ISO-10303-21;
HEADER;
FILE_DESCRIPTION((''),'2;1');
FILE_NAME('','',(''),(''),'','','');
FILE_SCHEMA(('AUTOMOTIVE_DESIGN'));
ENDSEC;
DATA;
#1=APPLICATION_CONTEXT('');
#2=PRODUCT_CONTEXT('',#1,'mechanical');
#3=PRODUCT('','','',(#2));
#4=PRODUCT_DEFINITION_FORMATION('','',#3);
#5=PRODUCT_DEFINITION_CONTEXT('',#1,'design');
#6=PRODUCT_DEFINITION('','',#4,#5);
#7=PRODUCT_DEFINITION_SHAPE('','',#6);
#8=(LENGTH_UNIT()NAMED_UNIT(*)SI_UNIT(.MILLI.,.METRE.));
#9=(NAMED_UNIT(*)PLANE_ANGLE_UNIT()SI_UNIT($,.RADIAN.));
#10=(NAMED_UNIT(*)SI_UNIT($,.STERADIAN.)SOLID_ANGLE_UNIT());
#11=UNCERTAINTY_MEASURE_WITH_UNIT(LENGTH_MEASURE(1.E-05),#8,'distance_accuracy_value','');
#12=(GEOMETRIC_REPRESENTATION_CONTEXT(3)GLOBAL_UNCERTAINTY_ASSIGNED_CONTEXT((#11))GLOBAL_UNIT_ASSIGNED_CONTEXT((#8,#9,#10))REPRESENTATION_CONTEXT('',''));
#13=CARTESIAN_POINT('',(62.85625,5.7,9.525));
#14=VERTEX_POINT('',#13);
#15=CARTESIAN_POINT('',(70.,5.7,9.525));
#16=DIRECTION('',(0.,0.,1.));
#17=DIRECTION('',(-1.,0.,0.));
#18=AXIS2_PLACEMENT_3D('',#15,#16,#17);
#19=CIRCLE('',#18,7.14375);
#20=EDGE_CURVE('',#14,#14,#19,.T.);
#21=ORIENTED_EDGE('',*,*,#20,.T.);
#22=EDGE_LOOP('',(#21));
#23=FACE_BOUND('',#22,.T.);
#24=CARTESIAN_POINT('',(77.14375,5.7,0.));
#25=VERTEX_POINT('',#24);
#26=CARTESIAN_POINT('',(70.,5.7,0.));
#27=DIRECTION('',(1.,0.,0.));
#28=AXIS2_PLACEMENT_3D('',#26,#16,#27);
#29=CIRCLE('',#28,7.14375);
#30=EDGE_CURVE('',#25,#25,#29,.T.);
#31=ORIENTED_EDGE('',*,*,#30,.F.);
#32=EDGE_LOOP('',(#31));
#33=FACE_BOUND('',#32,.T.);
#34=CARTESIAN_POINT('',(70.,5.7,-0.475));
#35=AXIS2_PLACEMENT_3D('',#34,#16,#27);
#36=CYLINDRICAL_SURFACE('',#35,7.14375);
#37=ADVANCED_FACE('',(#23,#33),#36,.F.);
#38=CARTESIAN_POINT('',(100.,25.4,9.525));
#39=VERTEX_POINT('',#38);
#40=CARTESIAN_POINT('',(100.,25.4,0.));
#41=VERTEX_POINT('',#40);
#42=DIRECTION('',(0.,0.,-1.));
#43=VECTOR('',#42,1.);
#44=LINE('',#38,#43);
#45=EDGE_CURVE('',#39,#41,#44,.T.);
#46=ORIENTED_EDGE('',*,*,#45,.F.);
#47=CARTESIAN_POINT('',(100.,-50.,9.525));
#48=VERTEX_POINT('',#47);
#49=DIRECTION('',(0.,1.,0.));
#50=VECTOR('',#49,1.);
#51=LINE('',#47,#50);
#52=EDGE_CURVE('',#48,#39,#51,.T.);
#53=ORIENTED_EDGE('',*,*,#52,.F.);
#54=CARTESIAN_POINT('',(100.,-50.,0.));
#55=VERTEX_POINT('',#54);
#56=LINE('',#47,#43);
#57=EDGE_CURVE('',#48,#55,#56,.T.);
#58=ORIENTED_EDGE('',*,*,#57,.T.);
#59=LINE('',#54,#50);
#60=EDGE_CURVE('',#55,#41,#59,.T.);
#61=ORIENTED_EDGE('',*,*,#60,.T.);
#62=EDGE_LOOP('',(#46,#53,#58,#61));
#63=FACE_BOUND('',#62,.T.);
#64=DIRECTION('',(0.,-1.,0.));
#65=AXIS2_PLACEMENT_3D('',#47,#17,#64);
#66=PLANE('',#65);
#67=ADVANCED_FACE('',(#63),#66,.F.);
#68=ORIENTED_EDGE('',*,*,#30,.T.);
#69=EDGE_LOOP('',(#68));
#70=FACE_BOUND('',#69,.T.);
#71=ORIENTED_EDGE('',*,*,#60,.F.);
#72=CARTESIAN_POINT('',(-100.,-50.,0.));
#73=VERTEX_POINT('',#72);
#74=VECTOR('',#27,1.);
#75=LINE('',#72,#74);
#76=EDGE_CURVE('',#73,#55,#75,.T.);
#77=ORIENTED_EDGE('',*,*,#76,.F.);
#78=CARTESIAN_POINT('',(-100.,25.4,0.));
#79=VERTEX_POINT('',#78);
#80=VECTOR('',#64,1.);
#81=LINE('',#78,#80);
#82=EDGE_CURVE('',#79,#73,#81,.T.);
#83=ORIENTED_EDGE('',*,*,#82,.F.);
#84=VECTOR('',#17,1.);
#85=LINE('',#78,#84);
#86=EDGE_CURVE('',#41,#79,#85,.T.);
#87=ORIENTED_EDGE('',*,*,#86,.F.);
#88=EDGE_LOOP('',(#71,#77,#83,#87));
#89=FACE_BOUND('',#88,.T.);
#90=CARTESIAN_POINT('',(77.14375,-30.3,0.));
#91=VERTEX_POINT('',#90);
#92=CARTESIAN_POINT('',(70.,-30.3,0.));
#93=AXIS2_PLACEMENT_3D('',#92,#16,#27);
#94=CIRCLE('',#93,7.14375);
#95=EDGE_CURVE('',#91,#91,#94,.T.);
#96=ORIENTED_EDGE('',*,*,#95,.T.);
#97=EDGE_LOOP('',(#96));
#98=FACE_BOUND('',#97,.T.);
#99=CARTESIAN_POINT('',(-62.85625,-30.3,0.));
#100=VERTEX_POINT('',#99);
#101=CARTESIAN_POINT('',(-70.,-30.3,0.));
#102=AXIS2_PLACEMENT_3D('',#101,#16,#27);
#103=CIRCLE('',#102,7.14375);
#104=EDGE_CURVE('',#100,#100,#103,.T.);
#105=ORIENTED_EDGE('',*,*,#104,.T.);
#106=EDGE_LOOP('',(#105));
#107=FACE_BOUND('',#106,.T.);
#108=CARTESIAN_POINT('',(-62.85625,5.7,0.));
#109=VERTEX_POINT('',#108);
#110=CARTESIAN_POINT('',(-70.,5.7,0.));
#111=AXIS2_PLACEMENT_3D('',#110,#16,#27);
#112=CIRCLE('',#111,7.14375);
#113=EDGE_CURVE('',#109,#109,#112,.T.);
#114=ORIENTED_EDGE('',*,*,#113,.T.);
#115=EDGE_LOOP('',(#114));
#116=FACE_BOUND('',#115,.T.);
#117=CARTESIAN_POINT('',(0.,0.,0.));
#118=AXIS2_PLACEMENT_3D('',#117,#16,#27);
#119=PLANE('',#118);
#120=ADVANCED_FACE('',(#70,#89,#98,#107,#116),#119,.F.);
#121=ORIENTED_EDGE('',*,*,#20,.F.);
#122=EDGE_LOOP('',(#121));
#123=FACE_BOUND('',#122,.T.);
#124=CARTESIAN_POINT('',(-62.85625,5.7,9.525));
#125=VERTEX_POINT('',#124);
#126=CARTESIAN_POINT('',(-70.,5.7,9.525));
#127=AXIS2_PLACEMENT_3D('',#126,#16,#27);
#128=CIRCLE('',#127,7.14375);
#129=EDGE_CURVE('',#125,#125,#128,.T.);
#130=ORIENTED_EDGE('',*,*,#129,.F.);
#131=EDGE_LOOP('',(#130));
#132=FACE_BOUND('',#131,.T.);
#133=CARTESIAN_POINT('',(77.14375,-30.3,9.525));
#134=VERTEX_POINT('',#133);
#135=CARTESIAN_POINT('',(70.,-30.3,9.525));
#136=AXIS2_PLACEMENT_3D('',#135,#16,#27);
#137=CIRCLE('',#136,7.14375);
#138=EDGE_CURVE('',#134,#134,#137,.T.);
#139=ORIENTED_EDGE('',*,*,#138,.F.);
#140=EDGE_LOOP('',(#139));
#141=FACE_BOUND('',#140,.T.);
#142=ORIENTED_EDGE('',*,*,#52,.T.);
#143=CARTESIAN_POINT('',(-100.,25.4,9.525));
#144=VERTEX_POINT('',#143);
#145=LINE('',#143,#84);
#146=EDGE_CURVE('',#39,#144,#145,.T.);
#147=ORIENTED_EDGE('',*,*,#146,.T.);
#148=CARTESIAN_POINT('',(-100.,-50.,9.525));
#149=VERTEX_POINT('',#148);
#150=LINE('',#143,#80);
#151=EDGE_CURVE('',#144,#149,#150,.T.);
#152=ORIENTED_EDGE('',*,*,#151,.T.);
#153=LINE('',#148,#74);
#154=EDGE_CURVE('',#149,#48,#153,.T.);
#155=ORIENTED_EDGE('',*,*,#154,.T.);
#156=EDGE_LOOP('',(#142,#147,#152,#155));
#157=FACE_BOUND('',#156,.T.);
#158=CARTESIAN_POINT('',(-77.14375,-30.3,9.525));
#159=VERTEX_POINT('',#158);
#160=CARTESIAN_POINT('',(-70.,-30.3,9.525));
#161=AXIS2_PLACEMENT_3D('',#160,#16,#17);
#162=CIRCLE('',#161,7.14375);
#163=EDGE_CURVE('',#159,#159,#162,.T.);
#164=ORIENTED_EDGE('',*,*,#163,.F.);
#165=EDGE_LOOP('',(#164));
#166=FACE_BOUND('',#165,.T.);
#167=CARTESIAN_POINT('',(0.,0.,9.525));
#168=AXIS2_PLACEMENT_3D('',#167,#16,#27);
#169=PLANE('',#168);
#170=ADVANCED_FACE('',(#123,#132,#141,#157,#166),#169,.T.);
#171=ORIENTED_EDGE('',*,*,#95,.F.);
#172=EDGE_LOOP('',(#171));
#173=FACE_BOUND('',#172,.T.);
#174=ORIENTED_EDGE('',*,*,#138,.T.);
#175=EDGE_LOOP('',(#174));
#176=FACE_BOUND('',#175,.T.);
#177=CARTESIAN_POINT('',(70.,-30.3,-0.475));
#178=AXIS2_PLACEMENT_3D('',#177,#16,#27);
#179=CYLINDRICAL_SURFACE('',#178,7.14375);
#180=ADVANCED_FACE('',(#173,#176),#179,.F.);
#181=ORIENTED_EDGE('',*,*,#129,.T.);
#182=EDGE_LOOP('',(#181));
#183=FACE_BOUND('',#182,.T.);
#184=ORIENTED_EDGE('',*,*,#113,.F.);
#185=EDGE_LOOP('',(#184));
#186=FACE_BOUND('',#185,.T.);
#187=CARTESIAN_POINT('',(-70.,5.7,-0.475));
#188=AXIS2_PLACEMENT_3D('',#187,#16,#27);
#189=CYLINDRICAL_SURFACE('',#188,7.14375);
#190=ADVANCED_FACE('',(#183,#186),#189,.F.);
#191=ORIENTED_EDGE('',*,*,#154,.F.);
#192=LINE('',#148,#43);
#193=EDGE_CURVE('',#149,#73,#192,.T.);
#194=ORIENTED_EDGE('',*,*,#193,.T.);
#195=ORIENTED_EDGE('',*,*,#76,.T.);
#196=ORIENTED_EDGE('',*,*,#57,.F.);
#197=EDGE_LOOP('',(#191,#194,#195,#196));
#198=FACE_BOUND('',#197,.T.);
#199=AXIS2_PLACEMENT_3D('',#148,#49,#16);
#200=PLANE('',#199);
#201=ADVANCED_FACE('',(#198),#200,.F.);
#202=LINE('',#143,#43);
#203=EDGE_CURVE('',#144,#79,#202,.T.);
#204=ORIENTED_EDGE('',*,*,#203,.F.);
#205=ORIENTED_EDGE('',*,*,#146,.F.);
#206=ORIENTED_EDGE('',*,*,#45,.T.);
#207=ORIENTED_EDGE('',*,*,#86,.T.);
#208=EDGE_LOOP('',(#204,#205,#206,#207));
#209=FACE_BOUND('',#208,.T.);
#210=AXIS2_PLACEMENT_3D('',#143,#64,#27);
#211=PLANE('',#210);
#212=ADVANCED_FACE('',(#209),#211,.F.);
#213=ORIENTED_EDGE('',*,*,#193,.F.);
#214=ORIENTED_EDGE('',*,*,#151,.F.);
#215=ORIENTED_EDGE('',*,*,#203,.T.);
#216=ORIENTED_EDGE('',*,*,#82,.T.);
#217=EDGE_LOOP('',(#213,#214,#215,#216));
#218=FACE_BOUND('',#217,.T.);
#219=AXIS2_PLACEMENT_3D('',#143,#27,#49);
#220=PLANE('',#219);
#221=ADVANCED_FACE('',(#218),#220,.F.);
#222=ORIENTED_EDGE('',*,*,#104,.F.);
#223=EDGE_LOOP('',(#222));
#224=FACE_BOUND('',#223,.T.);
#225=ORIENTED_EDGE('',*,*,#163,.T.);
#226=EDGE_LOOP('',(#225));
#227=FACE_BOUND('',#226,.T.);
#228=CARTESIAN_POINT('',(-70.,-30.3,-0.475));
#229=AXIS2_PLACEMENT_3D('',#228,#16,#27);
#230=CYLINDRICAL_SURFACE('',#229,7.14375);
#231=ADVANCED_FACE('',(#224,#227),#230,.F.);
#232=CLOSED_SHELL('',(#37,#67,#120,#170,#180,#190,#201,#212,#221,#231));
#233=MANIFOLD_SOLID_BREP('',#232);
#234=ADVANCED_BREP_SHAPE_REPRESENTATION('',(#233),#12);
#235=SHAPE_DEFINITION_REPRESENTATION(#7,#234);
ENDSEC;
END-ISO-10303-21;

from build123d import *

# Parameters (mm, degrees)
CROQUIS1_W              = 200
CROQUIS1_H              = 75.4
SALIENTE_EXTRUIR1_DEPTH = 9.525
CROQUIS2_R              = 7.14375
CORTAR_EXTRUIR1_DEPTH   = 10


with BuildPart() as part:
    # Croquis1 → Saliente-Extruir1 (new body)
    with BuildSketch(Plane.XY):
        with Locations((0, -12.3)):
            Rectangle(CROQUIS1_W, CROQUIS1_H)
    extrude(amount=SALIENTE_EXTRUIR1_DEPTH)

    # Croquis2 → Cortar-Extruir1 (cut)
    with BuildSketch(Plane.XY.offset(9.525)):
        with Locations((-70, 5.7)):
            Circle(CROQUIS2_R)
        with Locations((-70, -30.3)):
            Circle(CROQUIS2_R)
        with Locations((70, -30.3)):
            Circle(CROQUIS2_R)
        with Locations((70, 5.7)):
            Circle(CROQUIS2_R)
    extrude(amount=-CORTAR_EXTRUIR1_DEPTH, mode=Mode.SUBTRACT)


solid = part.part
